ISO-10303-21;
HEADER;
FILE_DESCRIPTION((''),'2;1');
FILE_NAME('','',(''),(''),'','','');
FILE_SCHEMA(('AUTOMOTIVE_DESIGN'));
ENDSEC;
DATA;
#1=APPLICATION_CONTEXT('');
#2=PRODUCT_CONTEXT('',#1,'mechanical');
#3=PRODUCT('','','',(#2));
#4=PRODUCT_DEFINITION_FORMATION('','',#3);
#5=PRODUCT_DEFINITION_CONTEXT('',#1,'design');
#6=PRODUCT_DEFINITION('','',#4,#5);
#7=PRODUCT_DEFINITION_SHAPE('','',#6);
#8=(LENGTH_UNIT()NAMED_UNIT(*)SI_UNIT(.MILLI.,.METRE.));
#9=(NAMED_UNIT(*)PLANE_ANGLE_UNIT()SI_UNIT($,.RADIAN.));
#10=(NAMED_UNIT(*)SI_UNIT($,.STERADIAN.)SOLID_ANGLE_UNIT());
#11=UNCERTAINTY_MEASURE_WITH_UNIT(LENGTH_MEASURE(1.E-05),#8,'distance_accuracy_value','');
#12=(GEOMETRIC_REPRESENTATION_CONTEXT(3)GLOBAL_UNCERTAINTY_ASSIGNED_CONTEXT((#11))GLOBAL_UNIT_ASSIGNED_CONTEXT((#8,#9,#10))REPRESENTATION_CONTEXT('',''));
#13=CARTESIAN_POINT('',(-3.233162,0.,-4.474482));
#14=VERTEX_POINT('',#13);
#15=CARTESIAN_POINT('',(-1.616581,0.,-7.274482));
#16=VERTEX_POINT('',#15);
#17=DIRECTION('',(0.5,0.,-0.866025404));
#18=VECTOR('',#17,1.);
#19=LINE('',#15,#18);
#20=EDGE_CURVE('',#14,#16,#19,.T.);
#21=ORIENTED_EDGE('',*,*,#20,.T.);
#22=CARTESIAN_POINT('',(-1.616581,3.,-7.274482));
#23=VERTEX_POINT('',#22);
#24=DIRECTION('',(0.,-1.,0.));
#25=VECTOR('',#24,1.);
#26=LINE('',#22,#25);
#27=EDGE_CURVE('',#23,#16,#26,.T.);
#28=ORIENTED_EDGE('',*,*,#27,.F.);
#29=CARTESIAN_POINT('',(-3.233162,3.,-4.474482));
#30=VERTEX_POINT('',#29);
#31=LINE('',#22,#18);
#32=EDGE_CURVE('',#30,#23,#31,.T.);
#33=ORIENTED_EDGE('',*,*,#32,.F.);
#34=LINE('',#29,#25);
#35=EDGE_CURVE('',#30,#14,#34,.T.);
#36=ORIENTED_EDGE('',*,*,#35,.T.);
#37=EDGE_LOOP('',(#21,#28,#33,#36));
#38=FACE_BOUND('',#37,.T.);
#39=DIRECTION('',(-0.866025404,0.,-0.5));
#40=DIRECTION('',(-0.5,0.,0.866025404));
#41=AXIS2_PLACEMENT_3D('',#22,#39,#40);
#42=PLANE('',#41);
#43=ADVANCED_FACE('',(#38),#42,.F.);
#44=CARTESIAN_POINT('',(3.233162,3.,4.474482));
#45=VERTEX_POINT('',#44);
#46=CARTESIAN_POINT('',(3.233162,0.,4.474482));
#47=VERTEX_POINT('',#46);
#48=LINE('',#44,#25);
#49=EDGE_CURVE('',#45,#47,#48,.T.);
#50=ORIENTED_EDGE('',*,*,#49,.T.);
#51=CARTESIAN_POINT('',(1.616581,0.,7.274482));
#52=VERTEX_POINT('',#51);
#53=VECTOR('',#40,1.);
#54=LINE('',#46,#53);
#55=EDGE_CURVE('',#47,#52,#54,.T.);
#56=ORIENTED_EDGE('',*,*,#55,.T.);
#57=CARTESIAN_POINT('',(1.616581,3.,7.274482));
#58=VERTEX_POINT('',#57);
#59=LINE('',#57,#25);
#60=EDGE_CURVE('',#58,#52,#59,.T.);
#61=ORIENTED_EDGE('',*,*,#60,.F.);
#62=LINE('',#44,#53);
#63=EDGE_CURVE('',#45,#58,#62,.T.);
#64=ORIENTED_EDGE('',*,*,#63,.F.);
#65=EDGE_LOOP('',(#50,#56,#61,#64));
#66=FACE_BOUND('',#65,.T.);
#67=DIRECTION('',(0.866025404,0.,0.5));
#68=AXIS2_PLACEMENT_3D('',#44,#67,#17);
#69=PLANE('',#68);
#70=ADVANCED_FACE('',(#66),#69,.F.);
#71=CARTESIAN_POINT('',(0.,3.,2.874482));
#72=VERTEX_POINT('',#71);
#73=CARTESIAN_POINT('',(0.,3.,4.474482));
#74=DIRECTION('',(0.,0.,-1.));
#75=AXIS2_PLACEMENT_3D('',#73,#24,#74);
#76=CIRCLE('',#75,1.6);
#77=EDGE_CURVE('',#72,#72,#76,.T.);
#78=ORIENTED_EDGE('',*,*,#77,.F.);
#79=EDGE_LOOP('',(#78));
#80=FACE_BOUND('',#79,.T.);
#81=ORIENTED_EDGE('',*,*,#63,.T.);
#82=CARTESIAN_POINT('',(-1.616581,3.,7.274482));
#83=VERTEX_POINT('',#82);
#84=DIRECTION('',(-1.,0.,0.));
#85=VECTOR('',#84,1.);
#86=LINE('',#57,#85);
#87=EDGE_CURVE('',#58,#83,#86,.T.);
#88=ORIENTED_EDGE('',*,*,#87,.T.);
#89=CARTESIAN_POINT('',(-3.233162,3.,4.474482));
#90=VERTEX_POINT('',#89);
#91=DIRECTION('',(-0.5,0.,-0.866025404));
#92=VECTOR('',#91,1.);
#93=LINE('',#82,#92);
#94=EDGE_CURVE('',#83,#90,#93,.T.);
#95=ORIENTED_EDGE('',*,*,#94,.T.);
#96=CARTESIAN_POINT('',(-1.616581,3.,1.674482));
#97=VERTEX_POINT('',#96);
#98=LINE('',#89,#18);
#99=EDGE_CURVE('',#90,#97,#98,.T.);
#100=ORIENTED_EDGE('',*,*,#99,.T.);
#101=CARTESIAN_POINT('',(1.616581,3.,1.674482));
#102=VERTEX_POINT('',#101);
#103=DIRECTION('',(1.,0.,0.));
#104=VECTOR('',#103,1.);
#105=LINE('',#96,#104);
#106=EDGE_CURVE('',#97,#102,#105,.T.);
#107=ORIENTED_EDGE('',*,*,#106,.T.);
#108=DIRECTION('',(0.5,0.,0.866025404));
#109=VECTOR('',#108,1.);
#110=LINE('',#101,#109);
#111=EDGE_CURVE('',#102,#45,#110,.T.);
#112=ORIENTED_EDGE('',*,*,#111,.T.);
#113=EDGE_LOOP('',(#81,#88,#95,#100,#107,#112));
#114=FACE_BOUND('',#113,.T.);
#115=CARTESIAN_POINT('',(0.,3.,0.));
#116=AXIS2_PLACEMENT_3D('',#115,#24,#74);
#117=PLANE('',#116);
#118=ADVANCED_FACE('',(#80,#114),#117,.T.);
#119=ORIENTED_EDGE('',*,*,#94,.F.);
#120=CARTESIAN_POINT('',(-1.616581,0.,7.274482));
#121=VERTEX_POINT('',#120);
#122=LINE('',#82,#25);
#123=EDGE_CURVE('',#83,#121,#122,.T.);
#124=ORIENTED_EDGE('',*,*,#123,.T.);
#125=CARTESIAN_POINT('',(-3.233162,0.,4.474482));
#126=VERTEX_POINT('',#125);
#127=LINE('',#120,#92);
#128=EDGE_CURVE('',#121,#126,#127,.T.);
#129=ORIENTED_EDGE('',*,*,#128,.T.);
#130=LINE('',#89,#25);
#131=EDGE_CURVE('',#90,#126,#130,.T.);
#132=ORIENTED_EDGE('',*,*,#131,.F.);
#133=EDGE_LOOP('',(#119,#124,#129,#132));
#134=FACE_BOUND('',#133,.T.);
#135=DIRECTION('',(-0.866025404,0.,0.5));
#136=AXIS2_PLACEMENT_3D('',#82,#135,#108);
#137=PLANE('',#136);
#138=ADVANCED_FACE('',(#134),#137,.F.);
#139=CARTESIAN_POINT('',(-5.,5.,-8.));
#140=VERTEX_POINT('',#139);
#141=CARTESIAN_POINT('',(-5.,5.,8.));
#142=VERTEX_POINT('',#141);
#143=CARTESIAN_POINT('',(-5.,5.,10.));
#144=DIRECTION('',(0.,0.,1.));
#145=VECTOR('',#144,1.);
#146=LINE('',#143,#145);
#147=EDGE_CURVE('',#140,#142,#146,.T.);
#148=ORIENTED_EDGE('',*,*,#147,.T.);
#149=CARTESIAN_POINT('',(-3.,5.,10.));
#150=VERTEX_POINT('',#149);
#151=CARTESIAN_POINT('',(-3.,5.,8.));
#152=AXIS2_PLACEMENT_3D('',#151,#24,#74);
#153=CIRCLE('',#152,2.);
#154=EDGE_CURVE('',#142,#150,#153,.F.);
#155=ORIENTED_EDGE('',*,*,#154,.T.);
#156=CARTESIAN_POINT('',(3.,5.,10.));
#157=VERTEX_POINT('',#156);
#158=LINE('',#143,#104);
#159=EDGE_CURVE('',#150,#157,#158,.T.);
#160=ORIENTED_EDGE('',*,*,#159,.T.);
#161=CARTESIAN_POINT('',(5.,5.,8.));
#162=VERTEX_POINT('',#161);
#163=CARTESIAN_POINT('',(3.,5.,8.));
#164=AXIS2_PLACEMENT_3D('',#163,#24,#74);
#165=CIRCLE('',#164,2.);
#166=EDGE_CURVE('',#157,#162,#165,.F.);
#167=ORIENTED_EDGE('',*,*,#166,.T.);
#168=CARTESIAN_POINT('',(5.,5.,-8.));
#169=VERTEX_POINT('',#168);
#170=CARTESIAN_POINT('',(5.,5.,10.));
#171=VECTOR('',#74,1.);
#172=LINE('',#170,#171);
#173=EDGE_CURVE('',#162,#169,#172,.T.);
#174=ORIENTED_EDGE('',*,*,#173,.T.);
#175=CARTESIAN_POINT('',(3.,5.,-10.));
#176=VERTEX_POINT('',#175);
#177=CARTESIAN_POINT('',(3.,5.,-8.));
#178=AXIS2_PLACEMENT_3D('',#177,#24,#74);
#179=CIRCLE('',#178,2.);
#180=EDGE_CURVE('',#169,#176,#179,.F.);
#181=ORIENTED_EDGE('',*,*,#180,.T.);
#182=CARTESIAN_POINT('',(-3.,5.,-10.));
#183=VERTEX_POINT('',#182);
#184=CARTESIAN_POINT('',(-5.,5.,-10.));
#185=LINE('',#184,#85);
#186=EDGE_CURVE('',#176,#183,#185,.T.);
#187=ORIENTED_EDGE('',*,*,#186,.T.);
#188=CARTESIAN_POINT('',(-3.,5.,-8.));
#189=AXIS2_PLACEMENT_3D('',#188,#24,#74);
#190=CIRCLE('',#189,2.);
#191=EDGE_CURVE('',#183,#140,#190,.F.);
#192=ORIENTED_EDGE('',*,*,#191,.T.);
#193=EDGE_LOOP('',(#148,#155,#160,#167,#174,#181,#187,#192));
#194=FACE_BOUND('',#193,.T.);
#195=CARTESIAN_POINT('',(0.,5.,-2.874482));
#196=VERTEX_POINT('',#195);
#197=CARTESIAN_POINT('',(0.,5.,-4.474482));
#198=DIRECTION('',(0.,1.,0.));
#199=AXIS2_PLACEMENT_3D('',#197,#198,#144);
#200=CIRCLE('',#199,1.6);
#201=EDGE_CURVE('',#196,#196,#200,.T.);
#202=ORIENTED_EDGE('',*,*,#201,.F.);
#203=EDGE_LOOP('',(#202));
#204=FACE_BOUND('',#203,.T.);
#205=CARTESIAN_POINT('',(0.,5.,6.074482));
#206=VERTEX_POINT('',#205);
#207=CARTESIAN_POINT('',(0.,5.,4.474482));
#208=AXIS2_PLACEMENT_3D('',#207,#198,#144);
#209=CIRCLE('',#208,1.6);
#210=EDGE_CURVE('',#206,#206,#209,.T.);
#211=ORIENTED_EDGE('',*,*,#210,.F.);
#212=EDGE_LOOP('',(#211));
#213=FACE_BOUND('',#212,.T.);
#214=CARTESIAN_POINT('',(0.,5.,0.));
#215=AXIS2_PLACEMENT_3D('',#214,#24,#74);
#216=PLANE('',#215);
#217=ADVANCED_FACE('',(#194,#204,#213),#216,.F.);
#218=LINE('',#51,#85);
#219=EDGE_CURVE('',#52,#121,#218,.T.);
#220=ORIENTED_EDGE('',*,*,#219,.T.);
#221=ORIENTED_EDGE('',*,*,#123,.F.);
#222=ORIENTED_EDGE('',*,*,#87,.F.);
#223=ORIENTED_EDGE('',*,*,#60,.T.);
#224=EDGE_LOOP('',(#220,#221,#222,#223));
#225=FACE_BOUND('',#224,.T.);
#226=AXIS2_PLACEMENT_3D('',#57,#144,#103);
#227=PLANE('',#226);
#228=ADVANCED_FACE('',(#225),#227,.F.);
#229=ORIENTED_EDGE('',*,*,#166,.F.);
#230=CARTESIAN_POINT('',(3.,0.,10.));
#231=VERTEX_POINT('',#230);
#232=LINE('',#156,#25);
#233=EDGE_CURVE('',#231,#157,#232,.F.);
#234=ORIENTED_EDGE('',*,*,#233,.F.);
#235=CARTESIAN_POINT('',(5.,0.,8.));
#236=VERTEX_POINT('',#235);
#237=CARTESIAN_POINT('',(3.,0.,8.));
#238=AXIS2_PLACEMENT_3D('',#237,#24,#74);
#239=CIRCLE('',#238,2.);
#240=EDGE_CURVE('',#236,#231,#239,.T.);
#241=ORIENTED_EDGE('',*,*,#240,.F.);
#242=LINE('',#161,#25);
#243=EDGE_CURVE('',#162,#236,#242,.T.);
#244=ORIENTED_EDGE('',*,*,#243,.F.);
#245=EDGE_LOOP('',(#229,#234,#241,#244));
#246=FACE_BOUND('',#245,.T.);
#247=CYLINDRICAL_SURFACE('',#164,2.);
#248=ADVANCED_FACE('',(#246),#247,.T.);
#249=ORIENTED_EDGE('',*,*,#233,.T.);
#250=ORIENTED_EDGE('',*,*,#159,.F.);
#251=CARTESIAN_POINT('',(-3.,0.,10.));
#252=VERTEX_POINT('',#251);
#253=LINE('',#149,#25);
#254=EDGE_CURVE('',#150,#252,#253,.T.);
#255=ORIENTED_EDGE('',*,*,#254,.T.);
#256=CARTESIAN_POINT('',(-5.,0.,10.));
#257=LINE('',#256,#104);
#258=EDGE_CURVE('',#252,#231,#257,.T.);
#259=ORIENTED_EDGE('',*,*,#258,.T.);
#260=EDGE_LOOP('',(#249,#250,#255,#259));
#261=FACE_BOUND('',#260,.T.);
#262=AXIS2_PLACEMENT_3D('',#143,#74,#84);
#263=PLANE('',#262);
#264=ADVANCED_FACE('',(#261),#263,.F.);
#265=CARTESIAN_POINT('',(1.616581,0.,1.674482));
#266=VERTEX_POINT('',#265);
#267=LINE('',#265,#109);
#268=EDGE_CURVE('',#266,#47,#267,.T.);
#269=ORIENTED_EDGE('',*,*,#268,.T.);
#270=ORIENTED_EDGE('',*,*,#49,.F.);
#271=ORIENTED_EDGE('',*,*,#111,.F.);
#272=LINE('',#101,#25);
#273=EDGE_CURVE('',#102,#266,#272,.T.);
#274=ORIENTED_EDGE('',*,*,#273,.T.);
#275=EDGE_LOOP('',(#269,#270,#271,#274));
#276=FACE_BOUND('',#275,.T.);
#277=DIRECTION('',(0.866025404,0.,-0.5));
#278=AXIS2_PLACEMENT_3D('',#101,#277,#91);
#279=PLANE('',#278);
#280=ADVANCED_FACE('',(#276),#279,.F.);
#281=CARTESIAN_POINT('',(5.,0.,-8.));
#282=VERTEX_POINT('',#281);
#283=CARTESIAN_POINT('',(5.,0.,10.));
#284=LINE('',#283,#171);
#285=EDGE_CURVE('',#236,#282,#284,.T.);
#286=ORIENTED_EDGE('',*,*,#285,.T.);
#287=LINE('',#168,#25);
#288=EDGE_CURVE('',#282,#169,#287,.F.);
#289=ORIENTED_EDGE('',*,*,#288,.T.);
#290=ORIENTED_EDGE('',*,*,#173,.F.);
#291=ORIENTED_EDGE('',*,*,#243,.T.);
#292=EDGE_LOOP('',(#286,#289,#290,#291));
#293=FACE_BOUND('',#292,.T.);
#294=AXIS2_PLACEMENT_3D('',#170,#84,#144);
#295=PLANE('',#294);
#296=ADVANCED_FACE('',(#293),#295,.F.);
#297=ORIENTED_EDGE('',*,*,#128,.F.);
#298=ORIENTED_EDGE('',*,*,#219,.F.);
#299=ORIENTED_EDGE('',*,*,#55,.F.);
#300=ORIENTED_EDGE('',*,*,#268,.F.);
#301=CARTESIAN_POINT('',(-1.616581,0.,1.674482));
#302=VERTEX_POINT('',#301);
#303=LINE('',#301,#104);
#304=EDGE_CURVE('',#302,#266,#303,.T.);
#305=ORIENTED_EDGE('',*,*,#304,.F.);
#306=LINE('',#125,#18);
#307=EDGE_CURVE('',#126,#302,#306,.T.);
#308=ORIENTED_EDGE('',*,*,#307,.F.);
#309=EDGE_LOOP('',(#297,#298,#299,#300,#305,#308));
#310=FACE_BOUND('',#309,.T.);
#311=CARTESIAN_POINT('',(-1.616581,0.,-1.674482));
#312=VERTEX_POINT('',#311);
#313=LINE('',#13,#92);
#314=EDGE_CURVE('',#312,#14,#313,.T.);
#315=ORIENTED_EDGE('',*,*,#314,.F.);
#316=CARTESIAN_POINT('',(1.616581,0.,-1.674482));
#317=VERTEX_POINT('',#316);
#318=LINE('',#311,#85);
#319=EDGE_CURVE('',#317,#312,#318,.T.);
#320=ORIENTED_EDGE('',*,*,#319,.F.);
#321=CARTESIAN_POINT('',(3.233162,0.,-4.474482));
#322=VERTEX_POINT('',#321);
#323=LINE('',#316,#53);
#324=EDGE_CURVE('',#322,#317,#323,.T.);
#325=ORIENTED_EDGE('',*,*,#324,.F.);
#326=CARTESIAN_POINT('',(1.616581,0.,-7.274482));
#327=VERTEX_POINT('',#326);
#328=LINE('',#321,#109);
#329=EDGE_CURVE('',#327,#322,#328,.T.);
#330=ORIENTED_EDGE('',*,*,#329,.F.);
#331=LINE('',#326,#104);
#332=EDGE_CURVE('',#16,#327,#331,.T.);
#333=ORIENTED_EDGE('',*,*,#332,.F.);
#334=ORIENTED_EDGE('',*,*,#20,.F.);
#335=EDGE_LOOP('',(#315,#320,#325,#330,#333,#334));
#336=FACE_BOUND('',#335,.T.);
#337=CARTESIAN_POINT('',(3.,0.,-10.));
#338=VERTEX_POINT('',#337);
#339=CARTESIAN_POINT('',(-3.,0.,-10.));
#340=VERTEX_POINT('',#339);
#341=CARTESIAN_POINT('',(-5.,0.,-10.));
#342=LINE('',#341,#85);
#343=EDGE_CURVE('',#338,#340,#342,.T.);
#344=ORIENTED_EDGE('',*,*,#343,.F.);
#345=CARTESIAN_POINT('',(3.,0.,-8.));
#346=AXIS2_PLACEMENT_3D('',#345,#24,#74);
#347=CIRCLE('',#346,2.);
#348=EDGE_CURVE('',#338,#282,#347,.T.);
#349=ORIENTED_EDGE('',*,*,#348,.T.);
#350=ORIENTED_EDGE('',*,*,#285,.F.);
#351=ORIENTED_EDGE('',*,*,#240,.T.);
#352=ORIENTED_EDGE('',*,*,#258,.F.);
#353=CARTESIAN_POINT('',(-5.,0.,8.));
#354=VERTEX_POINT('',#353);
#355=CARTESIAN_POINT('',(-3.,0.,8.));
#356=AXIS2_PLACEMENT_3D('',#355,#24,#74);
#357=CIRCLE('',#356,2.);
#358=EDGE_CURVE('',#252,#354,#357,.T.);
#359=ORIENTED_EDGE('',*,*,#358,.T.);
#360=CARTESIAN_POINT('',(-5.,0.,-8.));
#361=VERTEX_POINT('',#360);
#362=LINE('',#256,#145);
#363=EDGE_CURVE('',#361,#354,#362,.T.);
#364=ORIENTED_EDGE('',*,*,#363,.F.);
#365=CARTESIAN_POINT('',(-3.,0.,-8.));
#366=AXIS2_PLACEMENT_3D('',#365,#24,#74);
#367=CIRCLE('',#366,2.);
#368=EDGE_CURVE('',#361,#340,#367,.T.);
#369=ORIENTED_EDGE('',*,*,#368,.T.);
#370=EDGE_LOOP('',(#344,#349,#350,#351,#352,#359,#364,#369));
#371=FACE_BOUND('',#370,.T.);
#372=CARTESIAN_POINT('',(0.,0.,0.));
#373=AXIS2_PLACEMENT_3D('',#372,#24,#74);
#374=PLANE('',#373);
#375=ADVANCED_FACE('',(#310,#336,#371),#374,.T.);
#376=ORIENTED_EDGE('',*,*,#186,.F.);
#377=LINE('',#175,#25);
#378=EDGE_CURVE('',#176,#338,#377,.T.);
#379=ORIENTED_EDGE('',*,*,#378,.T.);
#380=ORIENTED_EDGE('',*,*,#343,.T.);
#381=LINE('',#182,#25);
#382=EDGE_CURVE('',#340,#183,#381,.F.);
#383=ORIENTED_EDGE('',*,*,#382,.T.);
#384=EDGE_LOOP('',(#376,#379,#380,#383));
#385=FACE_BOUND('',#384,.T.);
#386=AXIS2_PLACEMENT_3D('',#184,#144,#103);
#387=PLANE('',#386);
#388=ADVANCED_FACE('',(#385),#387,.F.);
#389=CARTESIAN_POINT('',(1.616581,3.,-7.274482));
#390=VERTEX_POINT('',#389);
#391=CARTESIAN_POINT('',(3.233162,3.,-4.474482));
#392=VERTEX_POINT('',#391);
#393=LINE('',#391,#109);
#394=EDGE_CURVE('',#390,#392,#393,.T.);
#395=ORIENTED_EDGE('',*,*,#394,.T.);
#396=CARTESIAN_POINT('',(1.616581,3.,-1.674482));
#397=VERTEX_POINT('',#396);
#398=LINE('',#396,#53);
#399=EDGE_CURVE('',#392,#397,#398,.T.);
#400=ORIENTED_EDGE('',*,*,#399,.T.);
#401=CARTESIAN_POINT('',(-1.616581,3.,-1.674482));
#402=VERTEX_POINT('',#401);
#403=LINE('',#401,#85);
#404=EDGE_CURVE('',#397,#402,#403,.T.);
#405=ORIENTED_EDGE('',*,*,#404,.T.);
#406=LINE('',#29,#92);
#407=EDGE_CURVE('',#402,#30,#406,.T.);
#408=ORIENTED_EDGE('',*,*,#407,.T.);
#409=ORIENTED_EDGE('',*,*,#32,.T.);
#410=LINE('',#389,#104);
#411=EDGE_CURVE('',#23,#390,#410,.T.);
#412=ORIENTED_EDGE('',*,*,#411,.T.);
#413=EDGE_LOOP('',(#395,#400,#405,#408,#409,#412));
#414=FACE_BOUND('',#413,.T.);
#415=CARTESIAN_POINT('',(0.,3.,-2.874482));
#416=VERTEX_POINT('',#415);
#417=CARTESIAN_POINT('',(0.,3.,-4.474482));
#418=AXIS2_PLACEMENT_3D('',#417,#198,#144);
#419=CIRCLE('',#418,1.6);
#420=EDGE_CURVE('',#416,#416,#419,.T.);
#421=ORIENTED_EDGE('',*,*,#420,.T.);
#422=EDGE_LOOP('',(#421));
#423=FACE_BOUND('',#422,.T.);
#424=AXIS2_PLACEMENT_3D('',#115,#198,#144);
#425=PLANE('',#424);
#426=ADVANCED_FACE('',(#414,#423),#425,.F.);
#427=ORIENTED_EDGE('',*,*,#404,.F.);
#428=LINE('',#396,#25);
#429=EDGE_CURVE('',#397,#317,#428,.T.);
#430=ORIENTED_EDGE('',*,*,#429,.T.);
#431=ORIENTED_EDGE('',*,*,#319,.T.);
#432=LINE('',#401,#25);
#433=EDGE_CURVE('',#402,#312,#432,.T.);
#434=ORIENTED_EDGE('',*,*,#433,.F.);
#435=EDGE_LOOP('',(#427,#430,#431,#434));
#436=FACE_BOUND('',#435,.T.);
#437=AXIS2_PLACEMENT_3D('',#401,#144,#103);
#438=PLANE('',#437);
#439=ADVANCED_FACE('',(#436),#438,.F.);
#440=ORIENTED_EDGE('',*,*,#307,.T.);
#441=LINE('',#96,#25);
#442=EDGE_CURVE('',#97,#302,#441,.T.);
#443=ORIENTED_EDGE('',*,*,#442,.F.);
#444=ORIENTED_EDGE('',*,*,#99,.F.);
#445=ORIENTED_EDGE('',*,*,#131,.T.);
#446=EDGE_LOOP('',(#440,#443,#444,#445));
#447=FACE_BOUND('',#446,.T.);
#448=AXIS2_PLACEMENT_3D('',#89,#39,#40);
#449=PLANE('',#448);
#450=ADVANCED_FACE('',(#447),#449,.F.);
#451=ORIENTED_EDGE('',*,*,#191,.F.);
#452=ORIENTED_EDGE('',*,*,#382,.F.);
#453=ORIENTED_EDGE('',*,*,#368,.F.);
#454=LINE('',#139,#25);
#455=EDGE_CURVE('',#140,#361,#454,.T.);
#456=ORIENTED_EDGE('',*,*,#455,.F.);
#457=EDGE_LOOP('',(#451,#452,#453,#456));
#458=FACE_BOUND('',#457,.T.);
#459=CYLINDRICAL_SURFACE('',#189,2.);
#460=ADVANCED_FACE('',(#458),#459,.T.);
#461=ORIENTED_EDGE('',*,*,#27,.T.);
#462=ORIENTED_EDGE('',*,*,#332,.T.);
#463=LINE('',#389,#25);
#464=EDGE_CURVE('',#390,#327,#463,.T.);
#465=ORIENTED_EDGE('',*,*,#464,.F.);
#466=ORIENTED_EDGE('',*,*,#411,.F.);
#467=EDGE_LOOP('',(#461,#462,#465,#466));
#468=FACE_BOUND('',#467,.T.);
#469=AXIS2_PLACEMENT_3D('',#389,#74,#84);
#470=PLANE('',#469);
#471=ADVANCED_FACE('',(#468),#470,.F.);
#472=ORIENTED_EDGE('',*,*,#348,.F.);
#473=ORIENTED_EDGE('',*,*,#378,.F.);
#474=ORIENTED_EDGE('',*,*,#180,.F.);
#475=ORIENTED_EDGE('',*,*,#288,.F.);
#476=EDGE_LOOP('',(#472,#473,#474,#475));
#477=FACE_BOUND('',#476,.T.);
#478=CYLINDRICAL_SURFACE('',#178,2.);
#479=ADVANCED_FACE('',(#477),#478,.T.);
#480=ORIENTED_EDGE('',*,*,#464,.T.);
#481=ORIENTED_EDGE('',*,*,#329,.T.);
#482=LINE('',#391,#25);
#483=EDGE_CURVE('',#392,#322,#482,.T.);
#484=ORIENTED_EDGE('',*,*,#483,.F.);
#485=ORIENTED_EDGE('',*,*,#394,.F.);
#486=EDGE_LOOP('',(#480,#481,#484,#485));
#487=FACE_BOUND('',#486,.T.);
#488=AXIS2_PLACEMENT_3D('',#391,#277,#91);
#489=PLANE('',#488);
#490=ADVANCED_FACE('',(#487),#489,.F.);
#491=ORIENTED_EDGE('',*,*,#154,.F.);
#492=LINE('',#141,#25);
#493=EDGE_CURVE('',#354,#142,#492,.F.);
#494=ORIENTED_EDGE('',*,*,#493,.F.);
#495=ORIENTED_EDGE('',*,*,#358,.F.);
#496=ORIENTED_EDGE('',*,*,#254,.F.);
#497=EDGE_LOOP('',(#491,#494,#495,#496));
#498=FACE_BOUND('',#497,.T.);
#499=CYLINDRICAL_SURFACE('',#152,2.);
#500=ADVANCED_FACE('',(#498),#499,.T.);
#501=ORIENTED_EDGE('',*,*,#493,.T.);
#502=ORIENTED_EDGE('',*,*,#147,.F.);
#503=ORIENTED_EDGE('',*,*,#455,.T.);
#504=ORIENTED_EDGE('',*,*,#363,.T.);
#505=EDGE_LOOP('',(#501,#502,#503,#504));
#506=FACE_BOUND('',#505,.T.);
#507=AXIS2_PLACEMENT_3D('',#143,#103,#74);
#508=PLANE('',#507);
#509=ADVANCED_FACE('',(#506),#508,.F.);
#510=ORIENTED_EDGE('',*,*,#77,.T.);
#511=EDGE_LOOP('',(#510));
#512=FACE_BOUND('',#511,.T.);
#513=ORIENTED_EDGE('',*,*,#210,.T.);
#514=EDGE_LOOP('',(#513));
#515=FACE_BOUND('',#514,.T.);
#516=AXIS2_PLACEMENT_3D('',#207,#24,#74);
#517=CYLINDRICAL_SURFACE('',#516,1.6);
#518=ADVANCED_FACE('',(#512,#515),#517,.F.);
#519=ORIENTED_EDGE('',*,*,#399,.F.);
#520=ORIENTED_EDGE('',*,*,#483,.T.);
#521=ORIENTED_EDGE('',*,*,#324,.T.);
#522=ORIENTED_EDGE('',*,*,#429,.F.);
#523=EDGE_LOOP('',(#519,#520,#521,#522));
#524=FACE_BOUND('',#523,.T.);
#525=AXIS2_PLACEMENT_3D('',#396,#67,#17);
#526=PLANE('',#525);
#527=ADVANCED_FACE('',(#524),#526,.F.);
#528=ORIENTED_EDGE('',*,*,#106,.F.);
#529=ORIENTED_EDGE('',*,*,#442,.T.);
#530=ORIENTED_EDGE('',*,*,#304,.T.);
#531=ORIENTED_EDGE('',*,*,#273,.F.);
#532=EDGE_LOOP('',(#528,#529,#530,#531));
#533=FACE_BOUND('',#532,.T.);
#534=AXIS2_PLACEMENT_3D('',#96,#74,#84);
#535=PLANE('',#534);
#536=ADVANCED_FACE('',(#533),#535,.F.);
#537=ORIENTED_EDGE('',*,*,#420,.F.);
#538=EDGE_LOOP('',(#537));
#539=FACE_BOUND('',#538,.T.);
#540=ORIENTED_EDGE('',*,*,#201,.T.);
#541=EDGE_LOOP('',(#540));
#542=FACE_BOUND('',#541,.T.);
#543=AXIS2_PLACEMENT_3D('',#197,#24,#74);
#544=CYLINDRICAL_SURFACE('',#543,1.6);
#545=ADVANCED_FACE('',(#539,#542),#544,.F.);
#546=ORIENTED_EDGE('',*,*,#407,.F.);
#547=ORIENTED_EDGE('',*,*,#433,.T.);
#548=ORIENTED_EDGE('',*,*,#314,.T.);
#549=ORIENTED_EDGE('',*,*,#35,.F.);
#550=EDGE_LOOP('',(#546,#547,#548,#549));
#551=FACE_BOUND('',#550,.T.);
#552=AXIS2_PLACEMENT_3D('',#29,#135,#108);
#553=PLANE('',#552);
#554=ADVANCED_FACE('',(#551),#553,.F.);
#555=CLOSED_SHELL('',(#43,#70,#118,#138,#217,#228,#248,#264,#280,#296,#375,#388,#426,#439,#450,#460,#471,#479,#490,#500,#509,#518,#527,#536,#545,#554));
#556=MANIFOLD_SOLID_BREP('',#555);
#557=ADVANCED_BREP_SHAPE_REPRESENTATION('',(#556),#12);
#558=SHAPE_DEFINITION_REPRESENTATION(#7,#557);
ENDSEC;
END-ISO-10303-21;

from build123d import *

# Parameters (mm, degrees)
CROQUIS1_W              = 10
CROQUIS1_H              = 20
CROQUIS1_R              = 1.6
SALIENTE_EXTRUIR1_DEPTH = 5
CORTAR_EXTRUIR1_DEPTH   = 3
REDONDEO1_R             = 2


with BuildPart() as part:
    # Croquis1 → Saliente-Extruir1 (new body)
    with BuildSketch(Plane(origin=(0, 0, 0), x_dir=(1, 0, 0), z_dir=(0, 1, 0))):
        Rectangle(CROQUIS1_W, CROQUIS1_H)
        with Locations((0, 4.474482181)):
            Circle(CROQUIS1_R, mode=Mode.SUBTRACT)
        with Locations((0, -4.474482181)):
            Circle(CROQUIS1_R, mode=Mode.SUBTRACT)
    extrude(amount=SALIENTE_EXTRUIR1_DEPTH)

    # Croquis2 → Cortar-Extruir1 (cut)
    with BuildSketch(Plane.XZ):
        Polygon((3.233161507, 4.474482181), (1.616580754, 7.274482181), (-1.616580754, 7.274482181), (-3.233161507, 4.474482181), (-1.616580754, 1.674482181), (1.616580754, 1.674482181), align=None)
        Polygon((1.616580754, -1.674482181), (3.233161507, -4.474482181), (1.616580754, -7.274482181), (-1.616580754, -7.274482181), (-3.233161507, -4.474482181), (-1.616580754, -1.674482181), align=None)
    extrude(amount=-CORTAR_EXTRUIR1_DEPTH, mode=Mode.SUBTRACT)

    # Redondeo1
    redondeo1_edges = [part.edges().sort_by_distance(p)[0] for p in [
        (5, 2.5, 10),
        (-5, 2.5, 10),
        (-5, 2.5, -10),
        (5, 2.5, -10),
    ]]
    fillet(redondeo1_edges, radius=REDONDEO1_R)


solid = part.part
